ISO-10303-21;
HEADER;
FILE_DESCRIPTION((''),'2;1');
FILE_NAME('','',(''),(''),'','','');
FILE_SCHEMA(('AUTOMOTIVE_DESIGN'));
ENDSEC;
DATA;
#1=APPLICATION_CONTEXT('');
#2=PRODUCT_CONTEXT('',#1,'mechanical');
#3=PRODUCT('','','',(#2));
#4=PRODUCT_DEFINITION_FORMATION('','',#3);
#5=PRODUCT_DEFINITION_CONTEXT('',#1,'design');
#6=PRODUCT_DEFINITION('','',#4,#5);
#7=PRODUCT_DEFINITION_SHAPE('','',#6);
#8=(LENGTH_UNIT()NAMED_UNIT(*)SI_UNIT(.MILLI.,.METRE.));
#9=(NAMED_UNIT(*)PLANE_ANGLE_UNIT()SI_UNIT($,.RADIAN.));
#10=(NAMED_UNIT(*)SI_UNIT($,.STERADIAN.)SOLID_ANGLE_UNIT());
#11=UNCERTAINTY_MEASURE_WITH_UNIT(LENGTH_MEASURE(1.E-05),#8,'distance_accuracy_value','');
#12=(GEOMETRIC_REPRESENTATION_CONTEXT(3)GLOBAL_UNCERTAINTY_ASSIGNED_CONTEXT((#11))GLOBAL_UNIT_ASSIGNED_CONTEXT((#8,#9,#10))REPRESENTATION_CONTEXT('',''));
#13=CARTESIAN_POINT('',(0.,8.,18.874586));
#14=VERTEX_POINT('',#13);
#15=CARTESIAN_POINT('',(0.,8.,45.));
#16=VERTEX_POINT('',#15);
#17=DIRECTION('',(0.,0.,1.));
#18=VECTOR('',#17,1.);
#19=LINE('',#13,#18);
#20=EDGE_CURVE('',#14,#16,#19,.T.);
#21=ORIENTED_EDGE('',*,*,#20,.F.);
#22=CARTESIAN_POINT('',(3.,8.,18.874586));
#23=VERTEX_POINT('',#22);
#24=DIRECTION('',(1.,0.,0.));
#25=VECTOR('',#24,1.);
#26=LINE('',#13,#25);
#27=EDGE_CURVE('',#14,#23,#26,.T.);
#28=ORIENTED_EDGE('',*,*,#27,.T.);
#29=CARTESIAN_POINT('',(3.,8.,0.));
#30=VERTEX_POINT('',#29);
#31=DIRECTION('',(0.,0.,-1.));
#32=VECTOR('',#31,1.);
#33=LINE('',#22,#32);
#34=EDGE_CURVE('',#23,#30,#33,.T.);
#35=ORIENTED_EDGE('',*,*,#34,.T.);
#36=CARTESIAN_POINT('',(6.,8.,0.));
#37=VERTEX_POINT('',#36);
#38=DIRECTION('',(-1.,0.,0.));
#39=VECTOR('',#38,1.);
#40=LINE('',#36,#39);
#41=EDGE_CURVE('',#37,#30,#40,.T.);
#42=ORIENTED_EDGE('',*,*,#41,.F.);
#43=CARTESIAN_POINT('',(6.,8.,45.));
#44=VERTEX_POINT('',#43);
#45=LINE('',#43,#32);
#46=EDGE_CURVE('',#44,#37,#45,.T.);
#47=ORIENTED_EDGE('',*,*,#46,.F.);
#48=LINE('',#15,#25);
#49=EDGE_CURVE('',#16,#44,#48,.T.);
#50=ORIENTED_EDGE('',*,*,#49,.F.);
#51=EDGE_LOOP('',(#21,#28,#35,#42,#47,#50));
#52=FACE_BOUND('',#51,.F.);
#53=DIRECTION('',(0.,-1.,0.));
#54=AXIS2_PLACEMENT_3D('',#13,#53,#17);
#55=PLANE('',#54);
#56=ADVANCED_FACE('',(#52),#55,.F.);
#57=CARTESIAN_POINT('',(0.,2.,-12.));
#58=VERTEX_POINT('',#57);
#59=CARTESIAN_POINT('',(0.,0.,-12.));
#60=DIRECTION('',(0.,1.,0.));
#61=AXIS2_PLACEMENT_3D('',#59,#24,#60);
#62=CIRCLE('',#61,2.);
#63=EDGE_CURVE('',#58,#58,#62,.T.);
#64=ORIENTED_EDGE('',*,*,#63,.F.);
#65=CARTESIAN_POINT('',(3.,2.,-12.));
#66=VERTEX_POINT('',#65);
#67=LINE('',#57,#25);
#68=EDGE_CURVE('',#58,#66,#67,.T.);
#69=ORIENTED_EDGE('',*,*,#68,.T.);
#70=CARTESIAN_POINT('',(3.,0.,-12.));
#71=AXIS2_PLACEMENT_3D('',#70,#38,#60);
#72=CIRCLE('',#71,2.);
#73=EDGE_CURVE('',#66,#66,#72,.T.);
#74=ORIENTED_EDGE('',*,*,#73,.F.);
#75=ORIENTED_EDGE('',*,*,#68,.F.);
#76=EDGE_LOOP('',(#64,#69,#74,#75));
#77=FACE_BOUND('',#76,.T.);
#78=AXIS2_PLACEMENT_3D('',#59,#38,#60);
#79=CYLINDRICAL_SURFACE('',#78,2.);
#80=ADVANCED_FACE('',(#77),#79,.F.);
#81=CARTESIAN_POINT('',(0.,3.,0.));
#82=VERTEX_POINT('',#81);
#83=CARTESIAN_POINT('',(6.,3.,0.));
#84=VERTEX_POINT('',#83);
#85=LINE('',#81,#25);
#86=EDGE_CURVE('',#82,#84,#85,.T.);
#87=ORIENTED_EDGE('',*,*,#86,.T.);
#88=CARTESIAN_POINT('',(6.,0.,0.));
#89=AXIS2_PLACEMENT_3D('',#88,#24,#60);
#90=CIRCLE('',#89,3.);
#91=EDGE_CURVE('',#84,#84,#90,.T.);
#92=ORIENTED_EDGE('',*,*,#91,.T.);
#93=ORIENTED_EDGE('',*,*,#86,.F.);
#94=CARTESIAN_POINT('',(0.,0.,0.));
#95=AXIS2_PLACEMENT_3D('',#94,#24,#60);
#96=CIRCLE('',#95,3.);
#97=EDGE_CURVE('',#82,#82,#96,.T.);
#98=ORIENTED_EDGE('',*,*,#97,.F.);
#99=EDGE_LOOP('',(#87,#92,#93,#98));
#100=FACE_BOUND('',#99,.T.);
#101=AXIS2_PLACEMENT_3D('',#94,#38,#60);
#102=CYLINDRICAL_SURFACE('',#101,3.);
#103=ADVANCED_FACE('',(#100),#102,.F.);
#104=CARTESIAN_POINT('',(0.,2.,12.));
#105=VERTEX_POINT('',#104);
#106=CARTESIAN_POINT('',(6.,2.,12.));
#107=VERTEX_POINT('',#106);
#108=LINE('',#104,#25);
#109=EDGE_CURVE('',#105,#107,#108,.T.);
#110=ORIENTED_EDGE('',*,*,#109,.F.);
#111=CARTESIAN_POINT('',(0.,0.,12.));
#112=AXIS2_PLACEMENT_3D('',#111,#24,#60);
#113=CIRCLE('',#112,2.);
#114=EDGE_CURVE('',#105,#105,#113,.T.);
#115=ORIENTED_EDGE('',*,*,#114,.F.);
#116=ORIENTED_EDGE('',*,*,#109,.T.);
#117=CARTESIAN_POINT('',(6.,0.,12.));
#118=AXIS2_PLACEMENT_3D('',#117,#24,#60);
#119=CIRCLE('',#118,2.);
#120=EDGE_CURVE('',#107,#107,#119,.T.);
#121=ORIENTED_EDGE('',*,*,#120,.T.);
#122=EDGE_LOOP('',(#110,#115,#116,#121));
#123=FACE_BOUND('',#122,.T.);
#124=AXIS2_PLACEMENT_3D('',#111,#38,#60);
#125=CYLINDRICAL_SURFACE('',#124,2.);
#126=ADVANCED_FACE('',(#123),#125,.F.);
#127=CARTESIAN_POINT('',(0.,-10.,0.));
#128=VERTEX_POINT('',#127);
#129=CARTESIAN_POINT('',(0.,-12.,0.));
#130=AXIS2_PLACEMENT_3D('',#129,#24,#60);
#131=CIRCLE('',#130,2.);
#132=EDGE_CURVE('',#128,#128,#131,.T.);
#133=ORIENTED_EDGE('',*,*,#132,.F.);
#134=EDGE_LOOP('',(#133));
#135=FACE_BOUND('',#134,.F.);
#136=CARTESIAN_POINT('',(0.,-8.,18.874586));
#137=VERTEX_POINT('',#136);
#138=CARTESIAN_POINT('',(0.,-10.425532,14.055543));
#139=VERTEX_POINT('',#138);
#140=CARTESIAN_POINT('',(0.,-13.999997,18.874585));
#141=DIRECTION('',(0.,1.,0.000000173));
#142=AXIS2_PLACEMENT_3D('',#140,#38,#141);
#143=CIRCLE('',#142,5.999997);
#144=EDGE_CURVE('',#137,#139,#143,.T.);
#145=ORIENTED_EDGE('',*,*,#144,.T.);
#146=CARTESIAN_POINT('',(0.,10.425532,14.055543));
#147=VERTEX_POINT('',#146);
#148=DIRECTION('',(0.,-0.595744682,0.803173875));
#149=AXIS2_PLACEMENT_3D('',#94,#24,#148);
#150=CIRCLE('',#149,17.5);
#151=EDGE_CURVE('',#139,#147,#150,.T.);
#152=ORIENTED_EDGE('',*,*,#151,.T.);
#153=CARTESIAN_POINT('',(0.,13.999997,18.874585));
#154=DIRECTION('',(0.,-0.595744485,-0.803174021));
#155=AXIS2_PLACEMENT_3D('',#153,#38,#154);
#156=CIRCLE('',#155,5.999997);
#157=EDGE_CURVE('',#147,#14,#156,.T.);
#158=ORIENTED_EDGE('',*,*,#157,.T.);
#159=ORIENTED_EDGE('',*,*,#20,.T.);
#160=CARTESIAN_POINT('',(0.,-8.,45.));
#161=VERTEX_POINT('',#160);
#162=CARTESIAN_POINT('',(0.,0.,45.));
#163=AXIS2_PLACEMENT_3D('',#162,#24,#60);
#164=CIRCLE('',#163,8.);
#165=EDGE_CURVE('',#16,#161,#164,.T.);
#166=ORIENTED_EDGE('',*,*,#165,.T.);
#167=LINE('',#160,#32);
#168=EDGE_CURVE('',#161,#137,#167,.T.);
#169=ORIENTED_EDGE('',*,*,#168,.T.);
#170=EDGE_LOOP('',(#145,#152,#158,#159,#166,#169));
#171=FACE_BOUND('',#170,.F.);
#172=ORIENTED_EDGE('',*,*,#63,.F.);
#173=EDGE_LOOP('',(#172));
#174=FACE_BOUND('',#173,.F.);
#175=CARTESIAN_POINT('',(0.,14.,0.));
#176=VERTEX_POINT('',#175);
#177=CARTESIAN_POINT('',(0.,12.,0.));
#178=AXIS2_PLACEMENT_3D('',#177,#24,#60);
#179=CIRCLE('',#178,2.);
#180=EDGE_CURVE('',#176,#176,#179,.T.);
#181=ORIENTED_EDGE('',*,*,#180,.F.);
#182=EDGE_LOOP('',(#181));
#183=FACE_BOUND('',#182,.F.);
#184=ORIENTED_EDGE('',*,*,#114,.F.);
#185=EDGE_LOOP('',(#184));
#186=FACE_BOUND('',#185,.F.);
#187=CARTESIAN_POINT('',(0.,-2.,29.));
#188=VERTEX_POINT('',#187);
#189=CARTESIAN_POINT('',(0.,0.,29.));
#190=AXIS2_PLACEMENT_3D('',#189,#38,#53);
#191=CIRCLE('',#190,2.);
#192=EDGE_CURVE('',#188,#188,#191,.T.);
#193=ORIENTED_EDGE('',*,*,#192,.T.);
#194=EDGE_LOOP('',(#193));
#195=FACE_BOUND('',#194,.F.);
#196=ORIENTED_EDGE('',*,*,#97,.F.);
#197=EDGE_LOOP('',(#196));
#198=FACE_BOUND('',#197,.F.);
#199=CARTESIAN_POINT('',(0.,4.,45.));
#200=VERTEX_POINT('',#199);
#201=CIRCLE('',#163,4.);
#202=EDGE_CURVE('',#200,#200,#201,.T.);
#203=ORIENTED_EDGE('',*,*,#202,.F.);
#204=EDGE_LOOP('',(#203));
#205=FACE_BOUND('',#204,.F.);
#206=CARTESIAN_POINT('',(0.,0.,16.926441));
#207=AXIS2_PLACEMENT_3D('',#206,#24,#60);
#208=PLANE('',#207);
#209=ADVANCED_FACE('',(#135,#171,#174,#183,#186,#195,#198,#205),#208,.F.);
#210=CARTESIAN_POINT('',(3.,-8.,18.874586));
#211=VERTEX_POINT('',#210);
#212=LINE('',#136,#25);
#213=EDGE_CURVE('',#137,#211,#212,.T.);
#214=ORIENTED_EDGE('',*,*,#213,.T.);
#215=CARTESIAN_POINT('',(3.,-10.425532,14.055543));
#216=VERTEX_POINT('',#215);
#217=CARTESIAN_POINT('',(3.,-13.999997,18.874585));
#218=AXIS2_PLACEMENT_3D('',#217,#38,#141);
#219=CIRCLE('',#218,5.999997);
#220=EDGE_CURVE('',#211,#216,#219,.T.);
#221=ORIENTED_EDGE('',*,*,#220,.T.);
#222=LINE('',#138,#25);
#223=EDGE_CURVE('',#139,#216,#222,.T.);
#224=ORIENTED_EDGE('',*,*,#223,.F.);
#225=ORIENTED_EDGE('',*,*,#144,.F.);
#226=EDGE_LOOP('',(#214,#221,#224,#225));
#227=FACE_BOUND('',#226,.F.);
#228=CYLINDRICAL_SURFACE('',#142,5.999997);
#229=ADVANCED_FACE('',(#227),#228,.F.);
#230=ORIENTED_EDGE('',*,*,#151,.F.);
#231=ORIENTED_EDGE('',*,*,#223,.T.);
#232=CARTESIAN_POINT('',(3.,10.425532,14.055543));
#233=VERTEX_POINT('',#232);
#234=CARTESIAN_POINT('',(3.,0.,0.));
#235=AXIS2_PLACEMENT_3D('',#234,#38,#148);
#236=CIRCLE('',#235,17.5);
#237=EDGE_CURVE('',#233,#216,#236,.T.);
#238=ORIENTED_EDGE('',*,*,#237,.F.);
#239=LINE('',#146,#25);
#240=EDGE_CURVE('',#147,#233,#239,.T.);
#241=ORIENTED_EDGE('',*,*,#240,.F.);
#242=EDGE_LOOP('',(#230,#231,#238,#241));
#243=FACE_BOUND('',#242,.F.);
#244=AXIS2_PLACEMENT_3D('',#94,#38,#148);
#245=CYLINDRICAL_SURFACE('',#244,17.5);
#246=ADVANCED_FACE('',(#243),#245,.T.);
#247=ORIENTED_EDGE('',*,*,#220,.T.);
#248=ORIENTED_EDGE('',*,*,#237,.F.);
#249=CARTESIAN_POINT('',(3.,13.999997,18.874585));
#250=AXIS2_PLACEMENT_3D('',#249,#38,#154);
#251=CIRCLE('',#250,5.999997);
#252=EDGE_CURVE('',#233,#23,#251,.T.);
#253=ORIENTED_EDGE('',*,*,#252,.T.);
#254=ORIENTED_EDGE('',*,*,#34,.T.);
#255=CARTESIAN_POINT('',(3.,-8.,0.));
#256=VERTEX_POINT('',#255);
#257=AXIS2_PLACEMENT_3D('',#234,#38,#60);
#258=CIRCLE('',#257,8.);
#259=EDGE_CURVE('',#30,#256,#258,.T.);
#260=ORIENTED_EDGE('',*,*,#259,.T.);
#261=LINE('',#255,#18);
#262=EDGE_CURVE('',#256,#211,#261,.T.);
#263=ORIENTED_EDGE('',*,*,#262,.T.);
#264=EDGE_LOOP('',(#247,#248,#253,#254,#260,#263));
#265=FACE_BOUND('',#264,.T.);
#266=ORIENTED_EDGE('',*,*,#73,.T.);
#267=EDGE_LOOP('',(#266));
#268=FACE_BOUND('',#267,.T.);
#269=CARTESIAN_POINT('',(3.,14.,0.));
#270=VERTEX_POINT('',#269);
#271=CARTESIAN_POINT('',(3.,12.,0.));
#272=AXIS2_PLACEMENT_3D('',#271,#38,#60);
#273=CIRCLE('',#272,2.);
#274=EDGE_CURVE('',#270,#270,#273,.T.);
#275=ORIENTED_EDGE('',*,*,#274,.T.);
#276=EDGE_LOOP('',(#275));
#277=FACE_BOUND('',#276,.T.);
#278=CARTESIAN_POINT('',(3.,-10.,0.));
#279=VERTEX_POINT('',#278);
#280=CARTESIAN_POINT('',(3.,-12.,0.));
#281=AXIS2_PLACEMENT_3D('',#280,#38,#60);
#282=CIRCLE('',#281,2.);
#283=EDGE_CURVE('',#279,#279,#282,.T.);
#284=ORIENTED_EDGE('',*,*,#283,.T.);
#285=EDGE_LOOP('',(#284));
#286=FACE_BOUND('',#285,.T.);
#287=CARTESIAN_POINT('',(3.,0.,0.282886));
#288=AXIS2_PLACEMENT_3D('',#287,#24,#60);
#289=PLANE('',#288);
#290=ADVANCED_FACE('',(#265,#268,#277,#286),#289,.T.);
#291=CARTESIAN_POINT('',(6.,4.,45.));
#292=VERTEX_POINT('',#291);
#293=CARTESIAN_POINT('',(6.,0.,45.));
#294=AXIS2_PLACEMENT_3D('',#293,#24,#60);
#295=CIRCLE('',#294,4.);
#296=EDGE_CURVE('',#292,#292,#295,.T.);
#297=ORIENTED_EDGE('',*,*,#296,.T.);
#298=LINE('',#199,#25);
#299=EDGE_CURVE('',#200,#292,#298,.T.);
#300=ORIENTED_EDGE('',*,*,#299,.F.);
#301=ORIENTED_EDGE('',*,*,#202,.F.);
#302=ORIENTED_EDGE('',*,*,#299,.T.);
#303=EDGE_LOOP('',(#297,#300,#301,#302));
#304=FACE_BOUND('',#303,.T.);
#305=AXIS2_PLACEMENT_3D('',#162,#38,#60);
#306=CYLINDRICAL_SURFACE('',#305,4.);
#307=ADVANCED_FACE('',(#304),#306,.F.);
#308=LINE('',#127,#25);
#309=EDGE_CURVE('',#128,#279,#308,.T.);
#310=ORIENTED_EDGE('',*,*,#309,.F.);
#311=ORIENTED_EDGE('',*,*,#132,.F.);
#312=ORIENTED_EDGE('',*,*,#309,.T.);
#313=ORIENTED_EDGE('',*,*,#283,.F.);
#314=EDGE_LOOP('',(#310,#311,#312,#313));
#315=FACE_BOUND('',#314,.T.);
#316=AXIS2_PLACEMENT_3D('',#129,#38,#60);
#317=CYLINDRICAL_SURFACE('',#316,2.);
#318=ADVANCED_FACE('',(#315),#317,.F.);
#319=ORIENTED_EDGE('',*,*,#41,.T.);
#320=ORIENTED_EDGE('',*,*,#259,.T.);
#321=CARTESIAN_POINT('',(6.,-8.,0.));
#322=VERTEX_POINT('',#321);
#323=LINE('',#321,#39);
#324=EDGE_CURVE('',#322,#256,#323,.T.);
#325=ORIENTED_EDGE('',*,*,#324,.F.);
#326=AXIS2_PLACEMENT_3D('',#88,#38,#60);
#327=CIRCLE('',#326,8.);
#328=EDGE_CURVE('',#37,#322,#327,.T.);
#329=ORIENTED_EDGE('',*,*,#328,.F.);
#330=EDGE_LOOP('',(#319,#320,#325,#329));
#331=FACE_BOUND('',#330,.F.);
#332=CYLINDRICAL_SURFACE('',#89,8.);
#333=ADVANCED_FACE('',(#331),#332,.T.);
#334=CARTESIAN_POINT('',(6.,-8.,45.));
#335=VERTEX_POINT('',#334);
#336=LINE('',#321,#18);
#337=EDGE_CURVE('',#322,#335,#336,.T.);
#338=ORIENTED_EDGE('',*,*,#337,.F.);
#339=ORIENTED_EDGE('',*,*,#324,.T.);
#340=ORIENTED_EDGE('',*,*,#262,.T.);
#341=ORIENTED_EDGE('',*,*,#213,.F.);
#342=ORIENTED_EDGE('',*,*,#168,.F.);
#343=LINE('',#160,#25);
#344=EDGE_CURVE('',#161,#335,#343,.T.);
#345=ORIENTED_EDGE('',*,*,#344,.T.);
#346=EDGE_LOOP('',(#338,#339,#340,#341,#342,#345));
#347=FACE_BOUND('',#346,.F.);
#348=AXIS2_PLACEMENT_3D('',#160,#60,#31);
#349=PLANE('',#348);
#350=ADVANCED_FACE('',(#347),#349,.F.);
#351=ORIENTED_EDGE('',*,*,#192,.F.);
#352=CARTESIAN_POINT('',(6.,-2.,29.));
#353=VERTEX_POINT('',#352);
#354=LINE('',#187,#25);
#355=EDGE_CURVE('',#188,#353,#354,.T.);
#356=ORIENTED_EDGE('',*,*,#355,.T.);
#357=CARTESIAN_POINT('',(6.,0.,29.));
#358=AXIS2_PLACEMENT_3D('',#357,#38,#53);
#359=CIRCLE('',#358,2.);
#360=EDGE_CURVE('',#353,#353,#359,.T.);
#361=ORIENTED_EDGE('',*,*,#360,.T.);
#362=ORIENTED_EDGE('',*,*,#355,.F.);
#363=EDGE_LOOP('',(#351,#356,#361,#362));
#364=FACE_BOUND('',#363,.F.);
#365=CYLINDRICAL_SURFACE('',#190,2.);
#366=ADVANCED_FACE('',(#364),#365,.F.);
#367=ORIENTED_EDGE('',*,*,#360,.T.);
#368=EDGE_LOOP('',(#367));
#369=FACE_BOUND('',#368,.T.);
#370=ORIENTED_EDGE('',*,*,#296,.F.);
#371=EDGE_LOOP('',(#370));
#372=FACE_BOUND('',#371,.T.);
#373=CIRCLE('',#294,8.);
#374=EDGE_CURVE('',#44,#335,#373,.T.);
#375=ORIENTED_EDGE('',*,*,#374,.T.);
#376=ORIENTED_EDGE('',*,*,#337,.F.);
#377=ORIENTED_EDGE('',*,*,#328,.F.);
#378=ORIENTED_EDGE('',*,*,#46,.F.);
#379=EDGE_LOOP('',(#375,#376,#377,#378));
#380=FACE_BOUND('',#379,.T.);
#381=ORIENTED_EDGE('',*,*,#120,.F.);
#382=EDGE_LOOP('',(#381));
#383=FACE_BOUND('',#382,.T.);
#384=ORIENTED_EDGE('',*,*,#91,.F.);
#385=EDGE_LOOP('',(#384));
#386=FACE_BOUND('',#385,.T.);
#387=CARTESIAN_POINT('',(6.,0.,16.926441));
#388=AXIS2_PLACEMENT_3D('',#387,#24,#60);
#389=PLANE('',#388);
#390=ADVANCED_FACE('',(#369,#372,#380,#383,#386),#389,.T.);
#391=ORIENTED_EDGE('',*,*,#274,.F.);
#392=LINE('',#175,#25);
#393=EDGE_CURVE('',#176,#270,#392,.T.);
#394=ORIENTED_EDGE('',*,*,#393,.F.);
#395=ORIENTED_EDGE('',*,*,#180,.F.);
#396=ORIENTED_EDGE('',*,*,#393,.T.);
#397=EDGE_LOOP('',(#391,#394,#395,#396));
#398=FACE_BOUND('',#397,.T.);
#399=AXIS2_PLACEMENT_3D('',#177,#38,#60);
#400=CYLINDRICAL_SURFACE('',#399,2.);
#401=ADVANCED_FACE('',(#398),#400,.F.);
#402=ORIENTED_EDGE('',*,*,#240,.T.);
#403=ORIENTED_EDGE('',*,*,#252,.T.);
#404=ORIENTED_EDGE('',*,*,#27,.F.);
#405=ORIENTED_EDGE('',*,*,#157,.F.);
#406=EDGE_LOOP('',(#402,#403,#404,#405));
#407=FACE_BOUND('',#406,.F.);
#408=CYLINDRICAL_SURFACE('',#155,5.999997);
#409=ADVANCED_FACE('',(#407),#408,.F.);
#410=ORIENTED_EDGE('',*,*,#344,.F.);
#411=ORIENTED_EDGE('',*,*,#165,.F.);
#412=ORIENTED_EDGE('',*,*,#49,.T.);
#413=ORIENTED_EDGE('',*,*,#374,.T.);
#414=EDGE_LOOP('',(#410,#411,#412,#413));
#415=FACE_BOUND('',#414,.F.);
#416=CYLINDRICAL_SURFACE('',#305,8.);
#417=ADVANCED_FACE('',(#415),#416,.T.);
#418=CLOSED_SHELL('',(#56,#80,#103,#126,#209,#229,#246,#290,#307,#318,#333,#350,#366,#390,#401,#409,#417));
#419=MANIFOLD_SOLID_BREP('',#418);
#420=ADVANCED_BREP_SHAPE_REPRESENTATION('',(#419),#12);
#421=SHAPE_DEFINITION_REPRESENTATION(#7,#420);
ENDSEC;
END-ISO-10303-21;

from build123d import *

# Parameters (mm, degrees)
F0_R     = 2
F0_R_2   = 3
F0_R_3   = 4
F1_DEPTH = 6
F2_R     = 2
F3_DEPTH = 6.001
F5_DEPTH = 3


with BuildPart() as f1:
    # F0 (on Right) → F1 (new body)
    with BuildSketch(Plane.YZ):
        with BuildLine():
            ThreePointArc((-8, 18.874586), (-8.640578, 16.177069), (-10.425532, 14.055543))
            ThreePointArc((-10.425532, 14.055543), (0, -17.5), (10.425532, 14.055543))
            ThreePointArc((10.425532, 14.055543), (8.640578, 16.177069), (8, 18.874586))
            Line((8, 18.874586), (8, 45))
            ThreePointArc((8, 45), (0, 53), (-8, 45))
            Line((-8, 45), (-8, 18.874586))
        make_face()
        with Locations((-12, 0)):
            Circle(F0_R, mode=Mode.SUBTRACT)
        with Locations((0, -12)):
            Circle(F0_R, mode=Mode.SUBTRACT)
        Circle(F0_R_2, mode=Mode.SUBTRACT)
        with Locations((0, 12)):
            Circle(F0_R, mode=Mode.SUBTRACT)
        with Locations((12, 0)):
            Circle(F0_R, mode=Mode.SUBTRACT)
        with Locations((0, 45)):
            Circle(F0_R_3, mode=Mode.SUBTRACT)
    extrude(amount=F1_DEPTH)

    # F2 (on face) → F3 (cut, through all)
    with BuildSketch(Plane(origin=(0, 0, 0), x_dir=(0, -1, 0), z_dir=(-1, 0, 0))):
        with Locations((0, 29)):
            Circle(F2_R)
    extrude(amount=-F3_DEPTH, mode=Mode.SUBTRACT)

    # F4 (on face) → F5 (cut)
    with BuildSketch(Plane.YZ.offset(6)):
        with BuildLine():
            Line((-8, 0), (-8, 18.874586))
            ThreePointArc((-8, 18.874586), (0, -20.5), (8, 18.874586))
            Line((8, 18.874586), (8, 0))
            ThreePointArc((8, 0), (0, -8), (-8, 0))
        make_face()
    extrude(amount=-F5_DEPTH, mode=Mode.SUBTRACT)


solid = f1.part
